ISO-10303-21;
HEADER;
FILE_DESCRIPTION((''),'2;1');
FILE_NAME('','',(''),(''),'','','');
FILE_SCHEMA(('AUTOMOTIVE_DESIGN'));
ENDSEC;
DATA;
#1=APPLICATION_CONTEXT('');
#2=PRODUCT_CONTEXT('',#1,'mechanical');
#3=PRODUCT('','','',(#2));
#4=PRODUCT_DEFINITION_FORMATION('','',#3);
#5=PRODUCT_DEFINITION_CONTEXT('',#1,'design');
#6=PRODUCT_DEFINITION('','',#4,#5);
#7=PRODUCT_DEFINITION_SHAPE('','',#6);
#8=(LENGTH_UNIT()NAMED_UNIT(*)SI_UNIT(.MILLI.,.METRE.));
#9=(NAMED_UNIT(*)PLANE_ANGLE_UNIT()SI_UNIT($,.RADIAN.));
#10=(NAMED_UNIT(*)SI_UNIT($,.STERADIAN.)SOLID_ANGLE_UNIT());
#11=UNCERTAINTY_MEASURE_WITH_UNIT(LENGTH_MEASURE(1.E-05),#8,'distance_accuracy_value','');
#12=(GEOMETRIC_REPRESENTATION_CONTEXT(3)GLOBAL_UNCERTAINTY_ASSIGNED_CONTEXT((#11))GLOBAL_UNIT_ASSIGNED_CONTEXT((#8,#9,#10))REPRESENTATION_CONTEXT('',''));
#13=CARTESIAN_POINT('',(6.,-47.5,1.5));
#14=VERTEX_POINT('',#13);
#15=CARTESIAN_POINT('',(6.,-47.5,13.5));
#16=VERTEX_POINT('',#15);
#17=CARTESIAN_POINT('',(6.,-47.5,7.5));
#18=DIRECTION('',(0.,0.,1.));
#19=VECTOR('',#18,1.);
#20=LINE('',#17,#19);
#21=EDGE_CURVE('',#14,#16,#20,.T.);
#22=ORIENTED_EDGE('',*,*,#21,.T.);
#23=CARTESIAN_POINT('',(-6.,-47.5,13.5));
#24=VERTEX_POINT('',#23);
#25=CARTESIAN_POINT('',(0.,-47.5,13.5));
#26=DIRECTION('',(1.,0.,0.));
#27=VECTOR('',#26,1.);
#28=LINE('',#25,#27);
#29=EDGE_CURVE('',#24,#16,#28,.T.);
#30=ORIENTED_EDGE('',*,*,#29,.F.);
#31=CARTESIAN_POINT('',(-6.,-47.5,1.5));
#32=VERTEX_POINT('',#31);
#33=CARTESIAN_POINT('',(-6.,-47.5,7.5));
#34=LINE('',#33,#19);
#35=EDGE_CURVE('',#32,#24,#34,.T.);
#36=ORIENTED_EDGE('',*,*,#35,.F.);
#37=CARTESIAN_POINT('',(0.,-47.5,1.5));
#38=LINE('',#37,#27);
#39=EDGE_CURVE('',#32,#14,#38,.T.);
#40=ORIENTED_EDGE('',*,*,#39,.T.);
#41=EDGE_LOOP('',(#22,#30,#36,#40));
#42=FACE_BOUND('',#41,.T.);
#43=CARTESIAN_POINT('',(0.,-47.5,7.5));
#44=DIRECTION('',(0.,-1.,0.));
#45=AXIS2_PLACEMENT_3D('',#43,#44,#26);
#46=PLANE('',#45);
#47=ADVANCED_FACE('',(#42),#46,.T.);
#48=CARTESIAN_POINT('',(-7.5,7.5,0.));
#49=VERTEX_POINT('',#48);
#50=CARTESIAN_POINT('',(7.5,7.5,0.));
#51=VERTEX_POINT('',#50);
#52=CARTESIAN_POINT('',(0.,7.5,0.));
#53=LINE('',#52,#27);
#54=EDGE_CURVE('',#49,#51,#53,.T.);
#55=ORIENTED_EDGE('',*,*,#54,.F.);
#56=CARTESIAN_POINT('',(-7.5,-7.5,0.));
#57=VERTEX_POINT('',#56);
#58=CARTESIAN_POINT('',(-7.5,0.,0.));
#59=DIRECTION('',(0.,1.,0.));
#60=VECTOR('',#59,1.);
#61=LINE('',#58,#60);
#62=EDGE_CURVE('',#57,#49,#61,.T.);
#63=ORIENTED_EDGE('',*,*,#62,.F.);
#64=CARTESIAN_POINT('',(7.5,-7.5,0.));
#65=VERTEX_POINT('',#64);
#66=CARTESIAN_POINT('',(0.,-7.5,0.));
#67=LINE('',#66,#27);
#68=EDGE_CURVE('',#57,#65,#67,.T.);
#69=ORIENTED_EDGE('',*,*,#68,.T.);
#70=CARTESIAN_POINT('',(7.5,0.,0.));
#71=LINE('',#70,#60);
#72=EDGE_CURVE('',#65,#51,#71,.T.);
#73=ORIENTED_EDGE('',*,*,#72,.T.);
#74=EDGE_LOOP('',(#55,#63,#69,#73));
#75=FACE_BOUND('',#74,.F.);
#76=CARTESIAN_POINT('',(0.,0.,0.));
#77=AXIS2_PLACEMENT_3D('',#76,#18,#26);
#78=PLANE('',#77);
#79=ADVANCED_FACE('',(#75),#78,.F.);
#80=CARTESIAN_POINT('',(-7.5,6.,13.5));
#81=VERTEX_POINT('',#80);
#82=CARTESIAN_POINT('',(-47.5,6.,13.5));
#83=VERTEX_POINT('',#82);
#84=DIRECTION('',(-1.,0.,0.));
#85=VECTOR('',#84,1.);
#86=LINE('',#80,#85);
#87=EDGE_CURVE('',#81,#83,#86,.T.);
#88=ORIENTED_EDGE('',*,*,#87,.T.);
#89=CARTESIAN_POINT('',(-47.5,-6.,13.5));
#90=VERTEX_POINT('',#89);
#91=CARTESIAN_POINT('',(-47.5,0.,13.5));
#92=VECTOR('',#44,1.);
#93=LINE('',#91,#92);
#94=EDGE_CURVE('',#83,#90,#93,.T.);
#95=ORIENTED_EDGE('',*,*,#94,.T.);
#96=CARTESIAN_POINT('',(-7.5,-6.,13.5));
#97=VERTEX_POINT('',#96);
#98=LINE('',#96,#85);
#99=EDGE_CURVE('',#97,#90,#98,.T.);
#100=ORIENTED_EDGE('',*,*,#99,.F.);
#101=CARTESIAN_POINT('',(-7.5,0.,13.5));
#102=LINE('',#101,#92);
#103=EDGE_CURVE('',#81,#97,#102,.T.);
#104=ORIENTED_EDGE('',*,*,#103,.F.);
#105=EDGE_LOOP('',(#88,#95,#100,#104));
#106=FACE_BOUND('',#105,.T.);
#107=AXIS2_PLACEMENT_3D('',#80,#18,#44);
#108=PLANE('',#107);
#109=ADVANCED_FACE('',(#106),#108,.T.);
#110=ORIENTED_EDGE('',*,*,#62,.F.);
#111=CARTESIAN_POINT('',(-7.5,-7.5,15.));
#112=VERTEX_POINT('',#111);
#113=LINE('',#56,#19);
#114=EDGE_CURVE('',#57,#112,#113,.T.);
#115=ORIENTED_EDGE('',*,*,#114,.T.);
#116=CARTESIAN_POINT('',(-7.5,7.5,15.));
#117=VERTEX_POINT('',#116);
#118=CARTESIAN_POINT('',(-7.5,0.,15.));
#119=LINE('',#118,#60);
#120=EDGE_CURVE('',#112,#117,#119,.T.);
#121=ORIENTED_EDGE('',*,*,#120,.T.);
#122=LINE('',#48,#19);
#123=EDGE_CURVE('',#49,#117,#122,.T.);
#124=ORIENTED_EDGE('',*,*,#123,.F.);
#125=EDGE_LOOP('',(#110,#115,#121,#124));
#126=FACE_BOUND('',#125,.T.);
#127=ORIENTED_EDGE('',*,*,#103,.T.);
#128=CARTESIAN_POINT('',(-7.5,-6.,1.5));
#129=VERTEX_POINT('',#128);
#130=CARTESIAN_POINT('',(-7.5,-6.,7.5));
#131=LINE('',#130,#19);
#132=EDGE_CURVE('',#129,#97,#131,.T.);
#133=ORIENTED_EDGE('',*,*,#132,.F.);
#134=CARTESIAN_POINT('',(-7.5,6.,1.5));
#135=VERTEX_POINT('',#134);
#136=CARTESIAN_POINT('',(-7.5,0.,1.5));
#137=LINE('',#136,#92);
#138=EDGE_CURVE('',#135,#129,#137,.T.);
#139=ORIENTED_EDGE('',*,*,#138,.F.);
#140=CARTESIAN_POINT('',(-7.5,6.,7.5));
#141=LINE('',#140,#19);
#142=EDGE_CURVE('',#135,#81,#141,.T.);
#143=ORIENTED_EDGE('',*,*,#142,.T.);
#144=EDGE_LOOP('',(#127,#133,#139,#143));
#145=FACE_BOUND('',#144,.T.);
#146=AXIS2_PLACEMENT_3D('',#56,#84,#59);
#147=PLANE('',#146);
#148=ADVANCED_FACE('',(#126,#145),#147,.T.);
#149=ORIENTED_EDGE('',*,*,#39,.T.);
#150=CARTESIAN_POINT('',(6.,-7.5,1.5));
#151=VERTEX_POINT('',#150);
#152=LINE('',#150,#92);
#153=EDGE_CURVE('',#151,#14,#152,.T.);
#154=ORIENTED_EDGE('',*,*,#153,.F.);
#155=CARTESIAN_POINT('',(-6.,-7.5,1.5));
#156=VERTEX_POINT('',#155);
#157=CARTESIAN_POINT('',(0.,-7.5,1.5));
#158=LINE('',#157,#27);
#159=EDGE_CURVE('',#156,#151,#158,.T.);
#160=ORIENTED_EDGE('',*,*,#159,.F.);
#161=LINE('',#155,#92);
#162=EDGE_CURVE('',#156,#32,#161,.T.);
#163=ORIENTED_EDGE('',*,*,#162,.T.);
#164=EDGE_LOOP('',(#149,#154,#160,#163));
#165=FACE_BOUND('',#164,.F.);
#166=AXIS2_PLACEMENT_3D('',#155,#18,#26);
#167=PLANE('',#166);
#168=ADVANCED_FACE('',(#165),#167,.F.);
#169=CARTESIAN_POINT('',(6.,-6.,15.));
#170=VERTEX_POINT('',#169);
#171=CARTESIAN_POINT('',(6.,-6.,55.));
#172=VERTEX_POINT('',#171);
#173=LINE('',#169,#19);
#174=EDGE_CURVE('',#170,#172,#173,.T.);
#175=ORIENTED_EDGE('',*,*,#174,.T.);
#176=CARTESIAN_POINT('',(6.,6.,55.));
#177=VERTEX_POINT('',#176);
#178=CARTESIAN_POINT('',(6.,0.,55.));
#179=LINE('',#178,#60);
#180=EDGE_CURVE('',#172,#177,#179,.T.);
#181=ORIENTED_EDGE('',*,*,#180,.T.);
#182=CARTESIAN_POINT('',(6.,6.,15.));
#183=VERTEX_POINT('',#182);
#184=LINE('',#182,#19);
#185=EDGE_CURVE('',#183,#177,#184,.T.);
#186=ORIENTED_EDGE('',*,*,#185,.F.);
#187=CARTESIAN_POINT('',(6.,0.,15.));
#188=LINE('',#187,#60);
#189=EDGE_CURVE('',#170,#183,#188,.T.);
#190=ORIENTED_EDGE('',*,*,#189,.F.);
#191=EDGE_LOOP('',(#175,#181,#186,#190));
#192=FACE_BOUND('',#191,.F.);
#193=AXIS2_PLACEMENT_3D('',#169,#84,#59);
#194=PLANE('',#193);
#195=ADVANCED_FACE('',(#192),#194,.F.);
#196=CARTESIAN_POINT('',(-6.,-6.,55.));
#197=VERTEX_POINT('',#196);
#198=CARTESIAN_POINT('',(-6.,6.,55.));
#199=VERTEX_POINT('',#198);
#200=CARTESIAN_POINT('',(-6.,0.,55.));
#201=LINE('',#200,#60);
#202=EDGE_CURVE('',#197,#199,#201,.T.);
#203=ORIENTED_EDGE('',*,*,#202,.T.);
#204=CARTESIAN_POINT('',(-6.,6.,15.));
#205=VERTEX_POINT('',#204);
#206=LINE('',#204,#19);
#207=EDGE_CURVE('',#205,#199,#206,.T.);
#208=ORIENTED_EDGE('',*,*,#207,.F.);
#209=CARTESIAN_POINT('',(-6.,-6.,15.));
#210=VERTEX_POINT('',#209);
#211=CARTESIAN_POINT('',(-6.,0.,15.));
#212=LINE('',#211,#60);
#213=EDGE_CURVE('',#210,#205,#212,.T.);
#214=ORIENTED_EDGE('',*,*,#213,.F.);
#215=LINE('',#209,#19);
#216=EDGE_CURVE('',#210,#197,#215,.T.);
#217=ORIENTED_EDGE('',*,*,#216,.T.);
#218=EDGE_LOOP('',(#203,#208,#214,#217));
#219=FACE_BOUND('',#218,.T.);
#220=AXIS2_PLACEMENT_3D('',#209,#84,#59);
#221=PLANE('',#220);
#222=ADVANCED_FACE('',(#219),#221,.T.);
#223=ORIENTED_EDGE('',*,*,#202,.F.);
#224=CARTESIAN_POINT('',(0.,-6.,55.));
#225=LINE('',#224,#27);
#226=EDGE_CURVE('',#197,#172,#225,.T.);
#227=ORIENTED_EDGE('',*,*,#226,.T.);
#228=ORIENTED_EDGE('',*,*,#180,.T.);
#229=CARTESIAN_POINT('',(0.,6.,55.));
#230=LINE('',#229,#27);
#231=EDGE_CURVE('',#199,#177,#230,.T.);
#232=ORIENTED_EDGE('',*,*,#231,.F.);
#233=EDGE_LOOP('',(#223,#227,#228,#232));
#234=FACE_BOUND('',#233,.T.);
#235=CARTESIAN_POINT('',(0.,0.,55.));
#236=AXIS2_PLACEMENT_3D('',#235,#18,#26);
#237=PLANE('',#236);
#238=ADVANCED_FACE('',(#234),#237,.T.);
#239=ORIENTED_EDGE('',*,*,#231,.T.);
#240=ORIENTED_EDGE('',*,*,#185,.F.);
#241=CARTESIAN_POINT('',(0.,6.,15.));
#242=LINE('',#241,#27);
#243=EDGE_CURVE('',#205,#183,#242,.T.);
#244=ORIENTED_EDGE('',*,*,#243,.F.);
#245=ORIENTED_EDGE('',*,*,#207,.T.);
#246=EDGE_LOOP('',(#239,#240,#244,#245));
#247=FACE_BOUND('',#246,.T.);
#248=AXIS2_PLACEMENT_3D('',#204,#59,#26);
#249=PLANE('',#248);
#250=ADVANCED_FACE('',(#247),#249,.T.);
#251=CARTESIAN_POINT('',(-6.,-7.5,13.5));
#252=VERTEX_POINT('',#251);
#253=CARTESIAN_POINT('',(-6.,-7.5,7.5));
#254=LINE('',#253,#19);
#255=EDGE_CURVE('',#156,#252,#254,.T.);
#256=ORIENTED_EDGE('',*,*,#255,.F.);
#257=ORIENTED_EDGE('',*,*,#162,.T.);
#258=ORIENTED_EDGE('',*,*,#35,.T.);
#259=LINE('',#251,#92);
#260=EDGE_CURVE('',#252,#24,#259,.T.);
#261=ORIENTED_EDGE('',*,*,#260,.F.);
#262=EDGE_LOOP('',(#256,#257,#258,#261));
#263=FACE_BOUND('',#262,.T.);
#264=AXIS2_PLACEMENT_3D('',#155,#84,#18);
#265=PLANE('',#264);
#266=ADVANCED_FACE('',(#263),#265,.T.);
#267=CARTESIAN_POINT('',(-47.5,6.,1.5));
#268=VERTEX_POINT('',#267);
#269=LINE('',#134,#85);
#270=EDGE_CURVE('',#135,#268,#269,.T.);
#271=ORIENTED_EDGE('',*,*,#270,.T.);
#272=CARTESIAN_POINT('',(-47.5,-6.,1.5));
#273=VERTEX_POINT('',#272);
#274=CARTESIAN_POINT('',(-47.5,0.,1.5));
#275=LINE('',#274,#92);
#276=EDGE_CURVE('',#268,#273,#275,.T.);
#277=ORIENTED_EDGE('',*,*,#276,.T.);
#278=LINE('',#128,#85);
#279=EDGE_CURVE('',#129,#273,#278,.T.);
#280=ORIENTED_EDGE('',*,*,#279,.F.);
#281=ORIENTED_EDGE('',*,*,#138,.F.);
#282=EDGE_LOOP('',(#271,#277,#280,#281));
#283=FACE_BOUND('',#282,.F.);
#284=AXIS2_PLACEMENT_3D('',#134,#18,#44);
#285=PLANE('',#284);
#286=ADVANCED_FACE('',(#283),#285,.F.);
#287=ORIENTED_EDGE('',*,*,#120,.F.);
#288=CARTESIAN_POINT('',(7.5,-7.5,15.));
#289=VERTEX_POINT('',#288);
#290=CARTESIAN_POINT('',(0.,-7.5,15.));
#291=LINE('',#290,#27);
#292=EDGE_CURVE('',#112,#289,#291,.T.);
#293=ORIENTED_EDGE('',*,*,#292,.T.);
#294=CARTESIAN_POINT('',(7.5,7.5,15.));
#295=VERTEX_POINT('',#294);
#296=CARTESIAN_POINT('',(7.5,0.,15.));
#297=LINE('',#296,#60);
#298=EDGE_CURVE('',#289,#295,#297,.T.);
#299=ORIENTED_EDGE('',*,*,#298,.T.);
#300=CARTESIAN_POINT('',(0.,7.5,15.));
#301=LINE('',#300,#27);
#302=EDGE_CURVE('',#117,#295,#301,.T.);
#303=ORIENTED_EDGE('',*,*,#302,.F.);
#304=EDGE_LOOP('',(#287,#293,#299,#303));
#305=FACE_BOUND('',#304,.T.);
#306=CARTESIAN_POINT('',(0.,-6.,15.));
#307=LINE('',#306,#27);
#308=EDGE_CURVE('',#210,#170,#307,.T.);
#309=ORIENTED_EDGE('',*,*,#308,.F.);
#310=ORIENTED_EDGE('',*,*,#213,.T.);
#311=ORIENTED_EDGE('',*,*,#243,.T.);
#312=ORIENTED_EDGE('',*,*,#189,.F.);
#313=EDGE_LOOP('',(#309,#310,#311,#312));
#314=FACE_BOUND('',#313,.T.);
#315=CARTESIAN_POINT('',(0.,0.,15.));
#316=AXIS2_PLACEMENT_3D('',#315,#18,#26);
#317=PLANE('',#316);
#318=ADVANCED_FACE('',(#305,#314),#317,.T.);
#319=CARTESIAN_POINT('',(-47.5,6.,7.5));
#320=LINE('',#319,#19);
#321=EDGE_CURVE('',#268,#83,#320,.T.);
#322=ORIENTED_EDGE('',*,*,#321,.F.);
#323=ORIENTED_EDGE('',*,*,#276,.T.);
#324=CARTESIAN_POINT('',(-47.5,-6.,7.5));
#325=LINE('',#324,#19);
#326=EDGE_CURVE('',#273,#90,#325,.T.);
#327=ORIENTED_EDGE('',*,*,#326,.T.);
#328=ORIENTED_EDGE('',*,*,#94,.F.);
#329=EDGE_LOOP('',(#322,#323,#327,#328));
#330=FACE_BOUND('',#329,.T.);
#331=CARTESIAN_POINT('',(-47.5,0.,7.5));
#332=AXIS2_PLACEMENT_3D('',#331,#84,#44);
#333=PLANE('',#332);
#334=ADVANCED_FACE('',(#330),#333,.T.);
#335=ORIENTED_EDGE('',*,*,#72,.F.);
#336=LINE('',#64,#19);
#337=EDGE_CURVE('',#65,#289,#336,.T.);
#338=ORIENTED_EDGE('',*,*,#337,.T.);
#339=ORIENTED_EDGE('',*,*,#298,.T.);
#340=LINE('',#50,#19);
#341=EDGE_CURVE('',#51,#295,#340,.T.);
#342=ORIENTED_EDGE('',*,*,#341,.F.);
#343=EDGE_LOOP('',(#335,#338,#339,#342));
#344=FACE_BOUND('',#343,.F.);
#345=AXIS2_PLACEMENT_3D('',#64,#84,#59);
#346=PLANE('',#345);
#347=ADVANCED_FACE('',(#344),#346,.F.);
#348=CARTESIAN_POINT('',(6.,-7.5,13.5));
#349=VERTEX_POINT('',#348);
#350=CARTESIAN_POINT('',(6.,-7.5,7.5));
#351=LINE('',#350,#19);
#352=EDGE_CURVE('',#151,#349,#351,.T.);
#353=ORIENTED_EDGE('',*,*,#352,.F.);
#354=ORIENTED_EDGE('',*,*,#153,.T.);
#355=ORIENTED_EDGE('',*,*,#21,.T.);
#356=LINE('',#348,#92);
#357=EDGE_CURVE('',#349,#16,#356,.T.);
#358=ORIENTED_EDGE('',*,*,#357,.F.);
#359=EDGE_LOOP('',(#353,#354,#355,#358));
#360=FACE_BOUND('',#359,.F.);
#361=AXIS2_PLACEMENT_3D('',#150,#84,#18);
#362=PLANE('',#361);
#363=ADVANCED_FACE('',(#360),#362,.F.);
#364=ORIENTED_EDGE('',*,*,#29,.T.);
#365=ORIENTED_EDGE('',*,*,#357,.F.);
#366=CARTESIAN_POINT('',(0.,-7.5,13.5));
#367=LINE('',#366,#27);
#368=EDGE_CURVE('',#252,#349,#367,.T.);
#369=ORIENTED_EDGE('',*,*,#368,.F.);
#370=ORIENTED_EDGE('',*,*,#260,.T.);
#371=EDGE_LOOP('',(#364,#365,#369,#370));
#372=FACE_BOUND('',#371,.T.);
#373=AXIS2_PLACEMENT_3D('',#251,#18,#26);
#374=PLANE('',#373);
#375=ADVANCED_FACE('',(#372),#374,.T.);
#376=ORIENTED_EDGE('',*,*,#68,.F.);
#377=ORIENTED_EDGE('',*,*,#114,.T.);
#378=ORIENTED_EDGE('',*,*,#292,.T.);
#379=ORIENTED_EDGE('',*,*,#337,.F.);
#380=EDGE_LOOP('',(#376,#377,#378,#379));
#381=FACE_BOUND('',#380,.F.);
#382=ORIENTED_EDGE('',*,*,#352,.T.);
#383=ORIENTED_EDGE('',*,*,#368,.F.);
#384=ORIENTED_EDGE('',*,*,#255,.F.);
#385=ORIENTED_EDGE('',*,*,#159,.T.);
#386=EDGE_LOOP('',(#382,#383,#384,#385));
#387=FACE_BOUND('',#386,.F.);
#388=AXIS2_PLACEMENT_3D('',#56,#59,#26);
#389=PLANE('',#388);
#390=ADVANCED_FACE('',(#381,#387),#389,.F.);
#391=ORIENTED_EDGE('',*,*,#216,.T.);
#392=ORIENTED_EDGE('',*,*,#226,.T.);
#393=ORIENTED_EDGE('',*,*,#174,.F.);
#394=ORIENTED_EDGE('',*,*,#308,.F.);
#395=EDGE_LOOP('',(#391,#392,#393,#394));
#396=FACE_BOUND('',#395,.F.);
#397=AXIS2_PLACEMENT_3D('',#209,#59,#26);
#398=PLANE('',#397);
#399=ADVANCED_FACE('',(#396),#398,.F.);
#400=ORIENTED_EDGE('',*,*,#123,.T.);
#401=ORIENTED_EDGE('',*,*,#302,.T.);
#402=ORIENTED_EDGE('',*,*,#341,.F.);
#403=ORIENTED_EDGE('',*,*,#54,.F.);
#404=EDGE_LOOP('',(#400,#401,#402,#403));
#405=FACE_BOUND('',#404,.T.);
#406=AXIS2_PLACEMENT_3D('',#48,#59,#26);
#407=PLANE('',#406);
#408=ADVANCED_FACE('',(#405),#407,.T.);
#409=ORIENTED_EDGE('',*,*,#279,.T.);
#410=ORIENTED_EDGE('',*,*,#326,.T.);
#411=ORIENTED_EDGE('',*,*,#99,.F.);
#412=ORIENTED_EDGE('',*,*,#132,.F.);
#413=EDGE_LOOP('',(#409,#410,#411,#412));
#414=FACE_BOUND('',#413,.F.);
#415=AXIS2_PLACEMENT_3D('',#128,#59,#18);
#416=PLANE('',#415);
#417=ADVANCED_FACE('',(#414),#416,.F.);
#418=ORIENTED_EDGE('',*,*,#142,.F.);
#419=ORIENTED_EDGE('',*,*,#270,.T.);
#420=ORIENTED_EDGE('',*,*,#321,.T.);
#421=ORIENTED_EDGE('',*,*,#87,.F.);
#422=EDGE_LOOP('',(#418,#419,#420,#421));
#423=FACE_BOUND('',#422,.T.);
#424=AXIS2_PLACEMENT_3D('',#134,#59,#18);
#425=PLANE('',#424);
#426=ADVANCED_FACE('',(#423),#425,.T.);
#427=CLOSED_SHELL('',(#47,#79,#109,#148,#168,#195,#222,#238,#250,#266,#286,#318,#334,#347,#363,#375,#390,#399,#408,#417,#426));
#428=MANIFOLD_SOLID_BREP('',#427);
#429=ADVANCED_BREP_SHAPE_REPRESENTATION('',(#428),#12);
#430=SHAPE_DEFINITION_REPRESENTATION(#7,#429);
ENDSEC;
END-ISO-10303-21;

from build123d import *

# Parameters (mm, degrees)
SKETCH_W     = 15
SKETCH_H     = 15
PAD_DEPTH    = 15
SKETCH001_W  = 12
SKETCH001_H  = 12
PAD001_DEPTH = 40
SKETCH002_W  = 12
SKETCH002_H  = 12
PAD002_DEPTH = 40
SKETCH003_W  = 12
SKETCH003_H  = 12
PAD003_DEPTH = 40


with BuildPart() as part:
    # Sketch → Pad (new body)
    with BuildSketch(Plane.XY):
        Rectangle(SKETCH_W, SKETCH_H)
    extrude(amount=PAD_DEPTH)

    # Sketch001 → Pad001 (new body)
    with BuildSketch(Plane.XY.offset(15)):
        Rectangle(SKETCH001_W, SKETCH001_H)
    extrude(amount=PAD001_DEPTH)

    # Sketch002 → Pad002 (new body)
    with BuildSketch(Plane(origin=(-7.5, 0, 0), x_dir=(0, -1, 0), z_dir=(-1, 0, 0))):
        with Locations((0, 7.5)):
            Rectangle(SKETCH002_W, SKETCH002_H)
    extrude(amount=PAD002_DEPTH)

    # Sketch003 → Pad003 (new body)
    with BuildSketch(Plane.XZ.offset(7.5)):
        with Locations((0, 7.5)):
            Rectangle(SKETCH003_W, SKETCH003_H)
    extrude(amount=PAD003_DEPTH)


solid = part.part
